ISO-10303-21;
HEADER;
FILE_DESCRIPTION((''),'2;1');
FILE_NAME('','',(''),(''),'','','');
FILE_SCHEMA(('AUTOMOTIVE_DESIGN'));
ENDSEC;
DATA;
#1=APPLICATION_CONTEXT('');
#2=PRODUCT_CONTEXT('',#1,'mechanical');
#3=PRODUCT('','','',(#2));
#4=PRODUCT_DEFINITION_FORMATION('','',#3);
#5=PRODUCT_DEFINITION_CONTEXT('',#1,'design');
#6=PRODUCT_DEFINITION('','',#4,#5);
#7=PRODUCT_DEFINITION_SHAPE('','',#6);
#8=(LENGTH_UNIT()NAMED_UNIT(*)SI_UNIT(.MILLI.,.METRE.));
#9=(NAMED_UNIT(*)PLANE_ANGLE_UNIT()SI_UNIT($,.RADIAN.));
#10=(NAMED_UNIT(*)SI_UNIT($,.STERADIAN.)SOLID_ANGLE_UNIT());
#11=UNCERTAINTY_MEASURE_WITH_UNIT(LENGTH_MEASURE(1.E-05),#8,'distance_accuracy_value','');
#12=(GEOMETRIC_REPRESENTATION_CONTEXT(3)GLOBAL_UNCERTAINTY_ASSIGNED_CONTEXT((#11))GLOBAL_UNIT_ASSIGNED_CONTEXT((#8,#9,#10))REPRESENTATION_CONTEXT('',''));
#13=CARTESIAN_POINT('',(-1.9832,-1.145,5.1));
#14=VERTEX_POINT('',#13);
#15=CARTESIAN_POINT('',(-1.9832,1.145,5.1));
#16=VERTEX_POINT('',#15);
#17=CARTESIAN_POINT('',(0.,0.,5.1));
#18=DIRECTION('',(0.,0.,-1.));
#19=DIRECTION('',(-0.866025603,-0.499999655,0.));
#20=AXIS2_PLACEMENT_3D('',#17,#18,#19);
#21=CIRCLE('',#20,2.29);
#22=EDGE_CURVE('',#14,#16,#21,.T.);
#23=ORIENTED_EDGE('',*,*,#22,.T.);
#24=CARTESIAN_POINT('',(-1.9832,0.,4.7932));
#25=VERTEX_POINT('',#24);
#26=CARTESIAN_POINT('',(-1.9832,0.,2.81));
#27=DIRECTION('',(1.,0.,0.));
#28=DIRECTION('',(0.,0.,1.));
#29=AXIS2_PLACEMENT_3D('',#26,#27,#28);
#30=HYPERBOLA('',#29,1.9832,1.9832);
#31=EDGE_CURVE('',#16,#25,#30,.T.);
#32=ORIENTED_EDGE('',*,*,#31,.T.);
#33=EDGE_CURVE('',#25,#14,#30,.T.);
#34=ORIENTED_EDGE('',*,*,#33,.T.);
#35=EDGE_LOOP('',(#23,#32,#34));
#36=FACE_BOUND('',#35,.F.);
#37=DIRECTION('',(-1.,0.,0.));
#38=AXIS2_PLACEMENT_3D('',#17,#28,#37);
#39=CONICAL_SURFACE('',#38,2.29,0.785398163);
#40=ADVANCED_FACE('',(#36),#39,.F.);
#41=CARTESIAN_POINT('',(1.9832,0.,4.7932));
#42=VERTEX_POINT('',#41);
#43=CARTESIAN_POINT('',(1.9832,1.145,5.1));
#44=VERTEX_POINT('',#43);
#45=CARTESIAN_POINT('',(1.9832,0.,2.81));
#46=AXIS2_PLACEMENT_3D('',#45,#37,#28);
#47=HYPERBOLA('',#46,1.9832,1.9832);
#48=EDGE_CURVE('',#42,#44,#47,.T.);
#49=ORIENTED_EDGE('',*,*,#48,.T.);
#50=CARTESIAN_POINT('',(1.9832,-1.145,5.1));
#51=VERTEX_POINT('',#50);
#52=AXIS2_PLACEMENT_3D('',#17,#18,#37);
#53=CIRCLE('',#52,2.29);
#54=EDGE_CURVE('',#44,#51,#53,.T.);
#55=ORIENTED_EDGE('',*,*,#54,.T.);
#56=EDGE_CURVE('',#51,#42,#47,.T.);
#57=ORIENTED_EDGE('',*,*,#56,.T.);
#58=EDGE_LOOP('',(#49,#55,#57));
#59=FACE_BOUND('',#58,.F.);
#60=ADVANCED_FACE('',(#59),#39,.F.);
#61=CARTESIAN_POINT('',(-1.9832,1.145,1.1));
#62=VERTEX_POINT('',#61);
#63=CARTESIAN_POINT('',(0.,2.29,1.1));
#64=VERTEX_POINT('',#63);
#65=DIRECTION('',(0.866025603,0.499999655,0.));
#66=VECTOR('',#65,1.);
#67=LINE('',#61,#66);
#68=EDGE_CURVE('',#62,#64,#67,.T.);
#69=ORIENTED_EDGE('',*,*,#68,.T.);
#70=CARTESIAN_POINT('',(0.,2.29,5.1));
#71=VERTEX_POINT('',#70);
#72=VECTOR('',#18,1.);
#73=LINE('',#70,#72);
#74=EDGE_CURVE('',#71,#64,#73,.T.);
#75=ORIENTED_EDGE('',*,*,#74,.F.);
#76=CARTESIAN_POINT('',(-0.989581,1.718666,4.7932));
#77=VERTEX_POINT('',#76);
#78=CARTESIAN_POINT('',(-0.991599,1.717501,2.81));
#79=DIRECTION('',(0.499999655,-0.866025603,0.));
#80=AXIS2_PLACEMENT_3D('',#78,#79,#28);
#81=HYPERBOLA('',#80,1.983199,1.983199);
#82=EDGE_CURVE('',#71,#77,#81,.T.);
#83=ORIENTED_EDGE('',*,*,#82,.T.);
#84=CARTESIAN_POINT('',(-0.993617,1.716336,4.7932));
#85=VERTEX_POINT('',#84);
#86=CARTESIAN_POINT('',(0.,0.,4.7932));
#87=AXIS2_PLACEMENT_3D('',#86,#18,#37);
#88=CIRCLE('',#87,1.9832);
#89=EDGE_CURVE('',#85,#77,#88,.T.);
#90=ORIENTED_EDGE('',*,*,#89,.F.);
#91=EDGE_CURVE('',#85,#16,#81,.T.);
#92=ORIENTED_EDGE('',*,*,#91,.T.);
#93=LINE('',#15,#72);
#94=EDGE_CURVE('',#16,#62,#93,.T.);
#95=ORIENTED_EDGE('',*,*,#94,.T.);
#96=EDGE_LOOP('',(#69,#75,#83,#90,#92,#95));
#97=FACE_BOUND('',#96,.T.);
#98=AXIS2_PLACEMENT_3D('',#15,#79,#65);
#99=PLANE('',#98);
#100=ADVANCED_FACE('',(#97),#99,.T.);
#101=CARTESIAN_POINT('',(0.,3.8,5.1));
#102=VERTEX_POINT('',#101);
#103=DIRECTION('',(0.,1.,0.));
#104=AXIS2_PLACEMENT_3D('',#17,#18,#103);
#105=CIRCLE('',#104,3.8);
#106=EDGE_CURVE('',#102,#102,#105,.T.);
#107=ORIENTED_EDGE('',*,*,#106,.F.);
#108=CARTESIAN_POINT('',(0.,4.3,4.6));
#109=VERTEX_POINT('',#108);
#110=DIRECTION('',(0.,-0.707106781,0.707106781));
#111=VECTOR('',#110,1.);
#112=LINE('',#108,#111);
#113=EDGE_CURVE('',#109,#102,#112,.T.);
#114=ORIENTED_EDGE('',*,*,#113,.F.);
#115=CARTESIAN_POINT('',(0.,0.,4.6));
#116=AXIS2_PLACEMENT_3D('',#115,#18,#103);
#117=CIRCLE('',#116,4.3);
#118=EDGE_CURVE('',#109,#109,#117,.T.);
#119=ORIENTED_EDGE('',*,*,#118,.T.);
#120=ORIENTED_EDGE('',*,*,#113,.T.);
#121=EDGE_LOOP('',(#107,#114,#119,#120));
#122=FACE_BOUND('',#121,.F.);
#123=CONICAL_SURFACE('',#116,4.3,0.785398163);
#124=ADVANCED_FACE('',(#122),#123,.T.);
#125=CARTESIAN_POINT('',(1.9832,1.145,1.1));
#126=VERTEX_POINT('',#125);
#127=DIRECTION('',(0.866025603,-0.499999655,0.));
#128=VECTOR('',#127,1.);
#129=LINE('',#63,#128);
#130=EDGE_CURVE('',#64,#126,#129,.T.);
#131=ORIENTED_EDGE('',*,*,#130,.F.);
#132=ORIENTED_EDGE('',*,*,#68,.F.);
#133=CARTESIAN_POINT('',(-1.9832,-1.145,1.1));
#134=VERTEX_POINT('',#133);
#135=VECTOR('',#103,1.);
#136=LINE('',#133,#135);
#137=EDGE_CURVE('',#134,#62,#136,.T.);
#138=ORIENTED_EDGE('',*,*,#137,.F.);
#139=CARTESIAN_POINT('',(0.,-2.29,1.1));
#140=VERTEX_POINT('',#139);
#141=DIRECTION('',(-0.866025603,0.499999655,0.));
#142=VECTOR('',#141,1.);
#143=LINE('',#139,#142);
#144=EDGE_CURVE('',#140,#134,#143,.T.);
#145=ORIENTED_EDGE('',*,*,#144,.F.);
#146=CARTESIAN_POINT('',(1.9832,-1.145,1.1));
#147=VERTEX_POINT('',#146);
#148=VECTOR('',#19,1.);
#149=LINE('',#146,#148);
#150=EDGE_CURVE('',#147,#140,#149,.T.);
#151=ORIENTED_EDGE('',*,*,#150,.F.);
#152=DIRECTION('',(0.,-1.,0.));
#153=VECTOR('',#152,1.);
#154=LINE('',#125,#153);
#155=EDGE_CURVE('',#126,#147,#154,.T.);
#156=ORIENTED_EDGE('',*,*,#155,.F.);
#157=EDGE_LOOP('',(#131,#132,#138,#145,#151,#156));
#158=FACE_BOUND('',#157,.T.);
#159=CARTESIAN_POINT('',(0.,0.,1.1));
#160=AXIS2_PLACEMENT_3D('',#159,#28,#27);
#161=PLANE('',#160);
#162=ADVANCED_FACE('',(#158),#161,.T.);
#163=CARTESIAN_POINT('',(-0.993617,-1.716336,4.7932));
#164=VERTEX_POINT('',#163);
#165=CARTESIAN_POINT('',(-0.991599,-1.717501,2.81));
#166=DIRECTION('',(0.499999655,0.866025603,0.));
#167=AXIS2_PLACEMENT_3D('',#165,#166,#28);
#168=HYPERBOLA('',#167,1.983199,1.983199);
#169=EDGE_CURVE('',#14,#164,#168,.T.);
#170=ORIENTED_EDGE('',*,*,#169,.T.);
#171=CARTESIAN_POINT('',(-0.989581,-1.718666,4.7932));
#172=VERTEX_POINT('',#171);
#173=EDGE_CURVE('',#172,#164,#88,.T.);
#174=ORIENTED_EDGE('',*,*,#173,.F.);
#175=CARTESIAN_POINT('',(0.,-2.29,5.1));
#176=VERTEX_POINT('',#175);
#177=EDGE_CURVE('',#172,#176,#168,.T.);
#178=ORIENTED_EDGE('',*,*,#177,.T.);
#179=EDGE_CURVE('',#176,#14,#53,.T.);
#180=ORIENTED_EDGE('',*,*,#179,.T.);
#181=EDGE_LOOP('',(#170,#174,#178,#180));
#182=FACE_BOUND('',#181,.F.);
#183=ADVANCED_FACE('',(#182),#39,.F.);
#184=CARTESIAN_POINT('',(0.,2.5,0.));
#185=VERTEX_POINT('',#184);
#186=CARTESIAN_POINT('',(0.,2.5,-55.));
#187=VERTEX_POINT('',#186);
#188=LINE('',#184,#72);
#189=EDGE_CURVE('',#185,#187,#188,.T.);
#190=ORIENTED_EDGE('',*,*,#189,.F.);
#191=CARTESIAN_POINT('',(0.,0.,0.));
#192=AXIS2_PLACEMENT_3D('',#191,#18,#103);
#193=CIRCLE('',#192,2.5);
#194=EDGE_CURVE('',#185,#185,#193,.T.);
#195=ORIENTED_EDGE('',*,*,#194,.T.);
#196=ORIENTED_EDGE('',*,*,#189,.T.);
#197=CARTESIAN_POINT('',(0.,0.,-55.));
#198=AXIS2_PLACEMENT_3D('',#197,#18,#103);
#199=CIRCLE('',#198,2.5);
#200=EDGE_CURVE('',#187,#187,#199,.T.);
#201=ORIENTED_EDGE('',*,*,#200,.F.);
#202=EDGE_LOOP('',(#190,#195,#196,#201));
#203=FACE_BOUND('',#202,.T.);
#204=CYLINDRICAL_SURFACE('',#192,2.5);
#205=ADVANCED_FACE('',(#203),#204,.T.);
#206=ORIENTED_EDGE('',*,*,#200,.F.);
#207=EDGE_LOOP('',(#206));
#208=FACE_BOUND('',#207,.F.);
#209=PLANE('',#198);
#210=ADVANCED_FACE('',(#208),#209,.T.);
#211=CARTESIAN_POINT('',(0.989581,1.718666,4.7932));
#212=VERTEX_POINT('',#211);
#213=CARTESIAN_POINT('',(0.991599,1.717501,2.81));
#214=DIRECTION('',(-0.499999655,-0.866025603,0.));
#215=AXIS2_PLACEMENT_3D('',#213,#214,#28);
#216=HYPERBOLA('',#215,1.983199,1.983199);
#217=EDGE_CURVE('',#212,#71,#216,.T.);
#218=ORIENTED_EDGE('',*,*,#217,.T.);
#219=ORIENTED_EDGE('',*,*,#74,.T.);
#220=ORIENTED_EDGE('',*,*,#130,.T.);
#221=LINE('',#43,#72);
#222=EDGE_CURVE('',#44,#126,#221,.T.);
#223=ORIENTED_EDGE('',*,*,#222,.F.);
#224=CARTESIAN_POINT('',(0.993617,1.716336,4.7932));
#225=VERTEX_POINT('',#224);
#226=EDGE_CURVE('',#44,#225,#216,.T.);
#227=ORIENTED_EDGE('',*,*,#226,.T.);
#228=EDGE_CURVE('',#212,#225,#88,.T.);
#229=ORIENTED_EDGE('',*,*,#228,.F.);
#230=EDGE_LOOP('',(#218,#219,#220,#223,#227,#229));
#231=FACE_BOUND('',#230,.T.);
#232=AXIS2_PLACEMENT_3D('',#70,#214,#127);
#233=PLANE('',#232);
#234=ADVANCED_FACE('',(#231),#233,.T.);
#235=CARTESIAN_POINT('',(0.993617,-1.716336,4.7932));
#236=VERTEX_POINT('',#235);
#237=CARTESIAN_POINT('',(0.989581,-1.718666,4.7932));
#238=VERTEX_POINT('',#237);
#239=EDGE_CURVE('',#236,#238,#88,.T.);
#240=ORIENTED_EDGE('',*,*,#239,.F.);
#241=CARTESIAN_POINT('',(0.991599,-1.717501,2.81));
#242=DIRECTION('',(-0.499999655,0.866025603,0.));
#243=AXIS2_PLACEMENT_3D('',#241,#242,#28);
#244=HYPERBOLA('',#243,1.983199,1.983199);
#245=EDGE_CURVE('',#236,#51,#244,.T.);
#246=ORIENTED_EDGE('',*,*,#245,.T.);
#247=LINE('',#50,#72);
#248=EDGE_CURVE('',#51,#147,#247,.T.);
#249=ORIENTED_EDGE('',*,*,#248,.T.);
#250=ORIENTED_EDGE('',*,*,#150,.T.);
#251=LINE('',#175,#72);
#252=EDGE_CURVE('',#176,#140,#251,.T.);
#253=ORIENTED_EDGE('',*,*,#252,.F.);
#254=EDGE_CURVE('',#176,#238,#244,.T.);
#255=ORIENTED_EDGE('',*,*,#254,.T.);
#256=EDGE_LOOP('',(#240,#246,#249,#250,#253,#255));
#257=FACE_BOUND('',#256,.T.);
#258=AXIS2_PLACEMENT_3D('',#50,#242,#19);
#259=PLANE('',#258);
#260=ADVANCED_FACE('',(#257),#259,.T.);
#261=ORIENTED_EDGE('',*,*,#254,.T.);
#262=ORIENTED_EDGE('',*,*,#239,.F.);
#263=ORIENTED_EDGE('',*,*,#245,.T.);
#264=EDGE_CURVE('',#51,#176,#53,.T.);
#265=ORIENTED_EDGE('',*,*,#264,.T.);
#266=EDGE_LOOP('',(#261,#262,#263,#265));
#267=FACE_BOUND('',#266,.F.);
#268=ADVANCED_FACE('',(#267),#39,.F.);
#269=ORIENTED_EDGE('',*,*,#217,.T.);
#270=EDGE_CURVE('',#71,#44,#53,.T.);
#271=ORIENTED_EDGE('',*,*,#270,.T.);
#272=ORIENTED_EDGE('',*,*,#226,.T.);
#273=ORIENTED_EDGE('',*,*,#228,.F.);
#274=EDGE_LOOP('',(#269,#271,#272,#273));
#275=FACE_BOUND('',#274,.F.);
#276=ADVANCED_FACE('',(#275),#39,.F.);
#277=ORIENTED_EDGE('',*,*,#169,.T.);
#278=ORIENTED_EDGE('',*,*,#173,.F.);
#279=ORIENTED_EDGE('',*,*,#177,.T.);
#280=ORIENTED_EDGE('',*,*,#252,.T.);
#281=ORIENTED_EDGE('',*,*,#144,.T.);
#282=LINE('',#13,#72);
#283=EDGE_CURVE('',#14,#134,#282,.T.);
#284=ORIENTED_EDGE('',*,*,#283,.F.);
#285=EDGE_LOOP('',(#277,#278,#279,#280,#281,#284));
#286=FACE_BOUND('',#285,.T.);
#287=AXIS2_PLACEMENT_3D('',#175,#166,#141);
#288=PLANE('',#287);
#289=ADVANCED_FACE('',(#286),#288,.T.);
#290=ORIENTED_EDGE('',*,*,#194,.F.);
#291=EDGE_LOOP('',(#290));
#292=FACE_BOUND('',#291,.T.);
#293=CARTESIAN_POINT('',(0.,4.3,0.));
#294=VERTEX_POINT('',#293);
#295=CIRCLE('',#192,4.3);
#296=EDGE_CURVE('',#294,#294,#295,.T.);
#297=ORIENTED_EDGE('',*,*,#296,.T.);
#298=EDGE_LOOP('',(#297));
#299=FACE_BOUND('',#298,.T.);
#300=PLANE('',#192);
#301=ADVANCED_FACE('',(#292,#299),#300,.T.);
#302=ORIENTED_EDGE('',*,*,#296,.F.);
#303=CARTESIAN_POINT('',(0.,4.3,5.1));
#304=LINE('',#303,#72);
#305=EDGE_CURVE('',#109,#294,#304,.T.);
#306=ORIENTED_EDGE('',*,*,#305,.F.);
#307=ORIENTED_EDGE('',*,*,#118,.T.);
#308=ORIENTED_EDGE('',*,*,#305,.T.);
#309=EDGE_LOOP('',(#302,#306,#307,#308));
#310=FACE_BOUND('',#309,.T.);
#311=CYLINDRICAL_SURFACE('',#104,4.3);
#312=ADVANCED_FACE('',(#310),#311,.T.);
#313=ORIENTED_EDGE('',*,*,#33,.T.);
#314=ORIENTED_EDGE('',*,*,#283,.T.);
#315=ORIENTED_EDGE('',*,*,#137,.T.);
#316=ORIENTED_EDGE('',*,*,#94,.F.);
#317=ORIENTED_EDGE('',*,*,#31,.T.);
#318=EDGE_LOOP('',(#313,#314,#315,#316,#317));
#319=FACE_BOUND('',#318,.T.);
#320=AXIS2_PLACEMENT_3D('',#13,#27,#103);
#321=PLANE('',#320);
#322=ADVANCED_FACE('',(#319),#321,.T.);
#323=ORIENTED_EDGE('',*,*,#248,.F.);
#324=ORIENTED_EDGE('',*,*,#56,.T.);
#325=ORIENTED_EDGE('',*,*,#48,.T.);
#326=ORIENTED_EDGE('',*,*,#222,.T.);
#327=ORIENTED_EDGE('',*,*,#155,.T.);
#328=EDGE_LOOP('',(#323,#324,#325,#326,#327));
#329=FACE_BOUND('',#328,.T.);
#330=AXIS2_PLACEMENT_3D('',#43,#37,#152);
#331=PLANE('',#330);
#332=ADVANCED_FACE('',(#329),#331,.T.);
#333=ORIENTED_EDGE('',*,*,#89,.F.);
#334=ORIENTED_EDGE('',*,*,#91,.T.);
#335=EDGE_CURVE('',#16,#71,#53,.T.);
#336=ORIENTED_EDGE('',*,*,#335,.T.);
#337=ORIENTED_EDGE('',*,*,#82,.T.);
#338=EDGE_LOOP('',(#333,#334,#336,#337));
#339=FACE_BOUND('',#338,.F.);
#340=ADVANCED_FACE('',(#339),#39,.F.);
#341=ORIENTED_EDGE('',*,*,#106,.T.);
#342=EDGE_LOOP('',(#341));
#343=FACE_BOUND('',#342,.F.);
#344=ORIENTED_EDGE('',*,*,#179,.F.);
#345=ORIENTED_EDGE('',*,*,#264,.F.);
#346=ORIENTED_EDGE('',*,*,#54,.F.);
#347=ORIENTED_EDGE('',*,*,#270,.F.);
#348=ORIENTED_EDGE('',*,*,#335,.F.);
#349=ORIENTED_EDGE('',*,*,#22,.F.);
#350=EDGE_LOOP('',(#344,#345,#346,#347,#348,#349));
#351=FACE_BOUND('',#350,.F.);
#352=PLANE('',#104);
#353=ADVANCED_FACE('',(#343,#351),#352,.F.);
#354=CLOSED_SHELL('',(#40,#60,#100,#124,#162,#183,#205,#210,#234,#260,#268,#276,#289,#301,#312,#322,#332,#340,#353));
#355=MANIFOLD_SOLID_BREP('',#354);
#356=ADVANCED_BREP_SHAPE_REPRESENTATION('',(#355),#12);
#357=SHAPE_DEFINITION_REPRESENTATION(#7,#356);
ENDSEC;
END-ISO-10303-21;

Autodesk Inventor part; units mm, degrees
ref_plane "YZ Plane" through (0, 0, 0) normal (1, 0, 0) x (0, 1, 0)
ref_plane "XZ Plane" through (0, 0, 0) normal (0, 1, 0) x (-1, 0, 0)
ref_plane "XY Plane" through (0, 0, 0) normal (0, 0, 1) x (1, 0, 0)
sketch "スケッチ1" plane through (0, 0, 0) normal (1, 0, 0) x (0, 1, 0)
  line L0 (4.3, 5.1) -> (4.3, 0)
  line L1 (4.3, 0) -> (2.5, 0)
  line L2 (2.5, 0) -> (2.5, -55)
  line L3 (0, -55) -> (2.5, -55)
  line L4 (4.3, 5.1) -> (0, 5.1)
  line L5 (0, 5.1) -> (0, -55)
  point P0 (0, 0)
  dimension "d2" = 0
  dimension "d3" = 55
  dimension "d4" = 4.3
  dimension "d5" = 5.1
  dimension "d6" = 0
  dimension "d7" = 2.5
revolve "回転1" add sketch "スケッチ1" angle 360 about axis through (0, 0, 5.1) along (0, 0, -1)
chamfer "面取り1" distance 0.5 angle 45 1 edges at (0, -4.3, 5.1)
sketch "スケッチ2" plane through (0, 0, 5.1) normal (0, 0, 1) x (1, 0, 0)
  circle A0 centre (0, 0) radius 2.29
  line L0 (0, 0) -> (-2.9175, 1.6844)
  line L1 (0, 0) -> (-1.7508, 0)
  point P0 (0, 0)
  point P1 (-1.9832, 1.145)
  point P2 (-1.9832, -1.145)
  point P3 (0, -2.29)
  point P4 (1.9832, -1.145)
  point P5 (1.9832, 1.145)
  point P6 (0, 2.29)
  dimension "d12" = 4.58
  dimension "d14" = 30
  dimension "d21" = 360
sketch "スケッチ3" plane through (0, 0, 5.1) normal (0, 0, 1) x (1, 0, 0)
  line L0 (-1.9832, 1.145) -> (0, 2.29)
  line L1 (0, 2.29) -> (1.9832, 1.145)
  line L2 (1.9832, 1.145) -> (1.9832, -1.145)
  line L3 (1.9832, -1.145) -> (0, -2.29)
  line L4 (0, -2.29) -> (-1.9832, -1.145)
  line L5 (-1.9832, -1.145) -> (-1.9832, 1.145)
  point P0 (0, 0)
  point P1 (-2.5, -1.3891)
extrude "押し出し1" cut sketch "スケッチ3" against normal blind 4
thread "ねじ1" size "M6x1" class "6g" standard "ANSI Metric M Profile" length 30
sketch "スケッチ4" plane through (0, 0, 0) normal (0, 1, 0) x (-1, 0, 0)
  line L0 (-3.8, 5.1) -> (3.8, 5.1) projected
  line L1 (0, 5.1) -> (0, 1.1) projected
  line L2 (2.29, 5.1) -> (1.9832, 4.7932)
  line L3 (1.9832, 5.1) -> (1.9832, 1.1) projected
  line L4 (1.9832, 5.1) -> (2.29, 5.1)
  point P0 (0, 0)
  dimension "d27" = 2.29
  dimension "d28" = 45
revolve "回転2" cut sketch "スケッチ4" angle 360 about axis through (0, 0, 5.1) along (0, 0, -1)
properties part number "CB5-55" material "鋼、炭素鋼"
